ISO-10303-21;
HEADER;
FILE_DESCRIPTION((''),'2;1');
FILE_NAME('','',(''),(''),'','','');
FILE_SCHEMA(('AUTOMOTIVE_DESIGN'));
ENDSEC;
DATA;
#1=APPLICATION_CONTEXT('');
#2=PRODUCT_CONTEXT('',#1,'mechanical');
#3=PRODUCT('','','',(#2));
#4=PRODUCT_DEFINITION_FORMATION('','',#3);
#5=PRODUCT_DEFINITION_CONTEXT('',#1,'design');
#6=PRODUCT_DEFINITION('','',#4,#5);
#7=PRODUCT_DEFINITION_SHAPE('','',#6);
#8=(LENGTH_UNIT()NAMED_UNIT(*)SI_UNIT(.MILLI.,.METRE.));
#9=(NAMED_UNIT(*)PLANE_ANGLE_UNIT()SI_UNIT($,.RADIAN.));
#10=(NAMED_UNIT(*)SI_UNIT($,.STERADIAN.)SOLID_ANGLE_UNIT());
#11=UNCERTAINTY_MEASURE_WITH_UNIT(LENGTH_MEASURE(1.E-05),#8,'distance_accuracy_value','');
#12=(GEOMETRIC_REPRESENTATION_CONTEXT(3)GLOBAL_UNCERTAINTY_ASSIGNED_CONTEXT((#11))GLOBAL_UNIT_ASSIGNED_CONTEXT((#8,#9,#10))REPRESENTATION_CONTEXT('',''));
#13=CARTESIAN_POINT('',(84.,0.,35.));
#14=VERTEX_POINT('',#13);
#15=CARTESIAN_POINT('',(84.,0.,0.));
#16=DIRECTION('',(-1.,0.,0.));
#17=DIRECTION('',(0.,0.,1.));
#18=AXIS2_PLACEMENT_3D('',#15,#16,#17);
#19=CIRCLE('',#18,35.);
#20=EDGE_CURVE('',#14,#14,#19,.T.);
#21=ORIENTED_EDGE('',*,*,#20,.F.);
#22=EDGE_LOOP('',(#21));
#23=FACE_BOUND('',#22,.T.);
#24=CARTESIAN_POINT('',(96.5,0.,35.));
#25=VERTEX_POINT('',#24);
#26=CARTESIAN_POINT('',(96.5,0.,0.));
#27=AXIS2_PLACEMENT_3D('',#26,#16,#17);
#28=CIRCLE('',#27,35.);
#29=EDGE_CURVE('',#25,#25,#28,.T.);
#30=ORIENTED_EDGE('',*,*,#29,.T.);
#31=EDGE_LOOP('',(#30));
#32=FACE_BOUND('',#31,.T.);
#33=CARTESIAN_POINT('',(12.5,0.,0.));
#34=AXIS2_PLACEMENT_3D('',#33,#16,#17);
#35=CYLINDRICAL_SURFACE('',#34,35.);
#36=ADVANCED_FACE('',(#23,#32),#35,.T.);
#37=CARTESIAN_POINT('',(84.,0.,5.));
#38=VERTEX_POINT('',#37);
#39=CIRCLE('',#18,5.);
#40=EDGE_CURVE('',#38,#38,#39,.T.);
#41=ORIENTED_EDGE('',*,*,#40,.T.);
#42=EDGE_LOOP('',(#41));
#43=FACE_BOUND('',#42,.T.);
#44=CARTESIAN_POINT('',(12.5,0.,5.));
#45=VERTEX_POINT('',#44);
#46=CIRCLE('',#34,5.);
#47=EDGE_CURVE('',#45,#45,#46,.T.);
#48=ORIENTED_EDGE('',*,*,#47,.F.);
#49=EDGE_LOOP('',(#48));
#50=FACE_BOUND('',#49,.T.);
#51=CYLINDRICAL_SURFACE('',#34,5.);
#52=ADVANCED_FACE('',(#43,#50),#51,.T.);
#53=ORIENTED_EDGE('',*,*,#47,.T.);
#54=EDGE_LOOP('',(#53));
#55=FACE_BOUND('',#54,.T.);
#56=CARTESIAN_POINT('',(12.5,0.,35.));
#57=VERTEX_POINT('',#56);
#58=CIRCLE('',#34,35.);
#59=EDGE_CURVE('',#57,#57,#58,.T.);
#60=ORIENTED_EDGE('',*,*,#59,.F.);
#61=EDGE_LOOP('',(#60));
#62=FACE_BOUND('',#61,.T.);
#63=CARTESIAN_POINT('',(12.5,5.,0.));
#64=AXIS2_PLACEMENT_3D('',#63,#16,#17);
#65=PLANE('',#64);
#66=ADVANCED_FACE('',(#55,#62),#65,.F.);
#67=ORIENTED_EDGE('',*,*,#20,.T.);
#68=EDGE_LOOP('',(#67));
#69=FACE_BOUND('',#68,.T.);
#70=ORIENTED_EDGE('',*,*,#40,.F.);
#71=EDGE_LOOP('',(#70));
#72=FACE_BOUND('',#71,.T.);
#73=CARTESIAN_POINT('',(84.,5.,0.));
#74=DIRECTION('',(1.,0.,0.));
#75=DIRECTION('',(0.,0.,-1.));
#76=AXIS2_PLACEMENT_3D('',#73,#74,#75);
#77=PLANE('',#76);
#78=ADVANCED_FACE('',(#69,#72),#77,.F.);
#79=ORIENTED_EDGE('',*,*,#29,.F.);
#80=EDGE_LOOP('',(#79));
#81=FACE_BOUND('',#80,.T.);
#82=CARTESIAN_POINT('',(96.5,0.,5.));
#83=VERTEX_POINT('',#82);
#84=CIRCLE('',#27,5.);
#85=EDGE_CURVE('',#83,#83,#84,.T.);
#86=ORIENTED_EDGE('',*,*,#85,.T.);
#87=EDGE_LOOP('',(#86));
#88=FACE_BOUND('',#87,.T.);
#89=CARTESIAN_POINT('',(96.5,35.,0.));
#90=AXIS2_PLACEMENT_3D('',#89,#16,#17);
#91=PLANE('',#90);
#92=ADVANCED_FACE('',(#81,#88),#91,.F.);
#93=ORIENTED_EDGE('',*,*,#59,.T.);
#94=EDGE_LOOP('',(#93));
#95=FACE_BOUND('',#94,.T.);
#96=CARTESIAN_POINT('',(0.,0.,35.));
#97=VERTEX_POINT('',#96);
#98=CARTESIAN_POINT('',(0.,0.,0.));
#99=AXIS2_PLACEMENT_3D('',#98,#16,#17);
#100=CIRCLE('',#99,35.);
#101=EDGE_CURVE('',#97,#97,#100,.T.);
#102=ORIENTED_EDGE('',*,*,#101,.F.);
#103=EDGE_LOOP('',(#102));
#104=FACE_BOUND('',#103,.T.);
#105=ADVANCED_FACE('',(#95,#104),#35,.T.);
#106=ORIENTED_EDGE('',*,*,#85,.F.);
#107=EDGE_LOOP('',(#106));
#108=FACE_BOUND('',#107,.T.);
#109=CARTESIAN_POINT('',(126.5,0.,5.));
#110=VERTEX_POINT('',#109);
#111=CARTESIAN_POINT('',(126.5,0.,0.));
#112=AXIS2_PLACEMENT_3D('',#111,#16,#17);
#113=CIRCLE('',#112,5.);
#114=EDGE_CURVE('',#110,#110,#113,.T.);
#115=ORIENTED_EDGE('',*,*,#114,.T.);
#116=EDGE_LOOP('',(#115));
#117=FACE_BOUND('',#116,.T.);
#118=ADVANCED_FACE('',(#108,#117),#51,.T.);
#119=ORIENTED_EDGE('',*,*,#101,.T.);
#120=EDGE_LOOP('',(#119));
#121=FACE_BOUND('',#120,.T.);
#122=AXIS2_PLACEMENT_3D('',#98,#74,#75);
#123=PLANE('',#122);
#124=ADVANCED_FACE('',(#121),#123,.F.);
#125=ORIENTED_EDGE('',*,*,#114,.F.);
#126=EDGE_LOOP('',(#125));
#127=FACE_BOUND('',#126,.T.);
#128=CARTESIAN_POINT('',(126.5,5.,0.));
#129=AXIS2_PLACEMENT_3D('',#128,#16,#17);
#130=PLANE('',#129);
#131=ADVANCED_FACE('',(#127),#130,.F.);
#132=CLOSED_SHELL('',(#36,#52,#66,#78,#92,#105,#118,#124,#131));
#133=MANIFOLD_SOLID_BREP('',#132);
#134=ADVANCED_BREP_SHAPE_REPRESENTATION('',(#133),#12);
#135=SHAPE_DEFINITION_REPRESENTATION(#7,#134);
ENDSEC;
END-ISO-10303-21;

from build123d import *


with BuildPart() as part:
    # 草图1 → 旋转1 (revolve)
    with BuildSketch(Plane.XY, mode=Mode.PRIVATE) as revolve_1_sk:
        Polygon((12.5, 0), (84, 0), (126.5, 0), (126.5, 5), (96.5, 5), (96.5, 35), (84, 35), (84, 5), (12.5, 5), (12.5, 35), (0, 35), (0, 0), align=None)
    revolve(revolve_1_sk.sketch.rotate(Axis((12.5, 0, 0), (1, 0, 0)), 90), axis=Axis((12.5, 0, 0), (1, 0, 0)))


solid = part.part
